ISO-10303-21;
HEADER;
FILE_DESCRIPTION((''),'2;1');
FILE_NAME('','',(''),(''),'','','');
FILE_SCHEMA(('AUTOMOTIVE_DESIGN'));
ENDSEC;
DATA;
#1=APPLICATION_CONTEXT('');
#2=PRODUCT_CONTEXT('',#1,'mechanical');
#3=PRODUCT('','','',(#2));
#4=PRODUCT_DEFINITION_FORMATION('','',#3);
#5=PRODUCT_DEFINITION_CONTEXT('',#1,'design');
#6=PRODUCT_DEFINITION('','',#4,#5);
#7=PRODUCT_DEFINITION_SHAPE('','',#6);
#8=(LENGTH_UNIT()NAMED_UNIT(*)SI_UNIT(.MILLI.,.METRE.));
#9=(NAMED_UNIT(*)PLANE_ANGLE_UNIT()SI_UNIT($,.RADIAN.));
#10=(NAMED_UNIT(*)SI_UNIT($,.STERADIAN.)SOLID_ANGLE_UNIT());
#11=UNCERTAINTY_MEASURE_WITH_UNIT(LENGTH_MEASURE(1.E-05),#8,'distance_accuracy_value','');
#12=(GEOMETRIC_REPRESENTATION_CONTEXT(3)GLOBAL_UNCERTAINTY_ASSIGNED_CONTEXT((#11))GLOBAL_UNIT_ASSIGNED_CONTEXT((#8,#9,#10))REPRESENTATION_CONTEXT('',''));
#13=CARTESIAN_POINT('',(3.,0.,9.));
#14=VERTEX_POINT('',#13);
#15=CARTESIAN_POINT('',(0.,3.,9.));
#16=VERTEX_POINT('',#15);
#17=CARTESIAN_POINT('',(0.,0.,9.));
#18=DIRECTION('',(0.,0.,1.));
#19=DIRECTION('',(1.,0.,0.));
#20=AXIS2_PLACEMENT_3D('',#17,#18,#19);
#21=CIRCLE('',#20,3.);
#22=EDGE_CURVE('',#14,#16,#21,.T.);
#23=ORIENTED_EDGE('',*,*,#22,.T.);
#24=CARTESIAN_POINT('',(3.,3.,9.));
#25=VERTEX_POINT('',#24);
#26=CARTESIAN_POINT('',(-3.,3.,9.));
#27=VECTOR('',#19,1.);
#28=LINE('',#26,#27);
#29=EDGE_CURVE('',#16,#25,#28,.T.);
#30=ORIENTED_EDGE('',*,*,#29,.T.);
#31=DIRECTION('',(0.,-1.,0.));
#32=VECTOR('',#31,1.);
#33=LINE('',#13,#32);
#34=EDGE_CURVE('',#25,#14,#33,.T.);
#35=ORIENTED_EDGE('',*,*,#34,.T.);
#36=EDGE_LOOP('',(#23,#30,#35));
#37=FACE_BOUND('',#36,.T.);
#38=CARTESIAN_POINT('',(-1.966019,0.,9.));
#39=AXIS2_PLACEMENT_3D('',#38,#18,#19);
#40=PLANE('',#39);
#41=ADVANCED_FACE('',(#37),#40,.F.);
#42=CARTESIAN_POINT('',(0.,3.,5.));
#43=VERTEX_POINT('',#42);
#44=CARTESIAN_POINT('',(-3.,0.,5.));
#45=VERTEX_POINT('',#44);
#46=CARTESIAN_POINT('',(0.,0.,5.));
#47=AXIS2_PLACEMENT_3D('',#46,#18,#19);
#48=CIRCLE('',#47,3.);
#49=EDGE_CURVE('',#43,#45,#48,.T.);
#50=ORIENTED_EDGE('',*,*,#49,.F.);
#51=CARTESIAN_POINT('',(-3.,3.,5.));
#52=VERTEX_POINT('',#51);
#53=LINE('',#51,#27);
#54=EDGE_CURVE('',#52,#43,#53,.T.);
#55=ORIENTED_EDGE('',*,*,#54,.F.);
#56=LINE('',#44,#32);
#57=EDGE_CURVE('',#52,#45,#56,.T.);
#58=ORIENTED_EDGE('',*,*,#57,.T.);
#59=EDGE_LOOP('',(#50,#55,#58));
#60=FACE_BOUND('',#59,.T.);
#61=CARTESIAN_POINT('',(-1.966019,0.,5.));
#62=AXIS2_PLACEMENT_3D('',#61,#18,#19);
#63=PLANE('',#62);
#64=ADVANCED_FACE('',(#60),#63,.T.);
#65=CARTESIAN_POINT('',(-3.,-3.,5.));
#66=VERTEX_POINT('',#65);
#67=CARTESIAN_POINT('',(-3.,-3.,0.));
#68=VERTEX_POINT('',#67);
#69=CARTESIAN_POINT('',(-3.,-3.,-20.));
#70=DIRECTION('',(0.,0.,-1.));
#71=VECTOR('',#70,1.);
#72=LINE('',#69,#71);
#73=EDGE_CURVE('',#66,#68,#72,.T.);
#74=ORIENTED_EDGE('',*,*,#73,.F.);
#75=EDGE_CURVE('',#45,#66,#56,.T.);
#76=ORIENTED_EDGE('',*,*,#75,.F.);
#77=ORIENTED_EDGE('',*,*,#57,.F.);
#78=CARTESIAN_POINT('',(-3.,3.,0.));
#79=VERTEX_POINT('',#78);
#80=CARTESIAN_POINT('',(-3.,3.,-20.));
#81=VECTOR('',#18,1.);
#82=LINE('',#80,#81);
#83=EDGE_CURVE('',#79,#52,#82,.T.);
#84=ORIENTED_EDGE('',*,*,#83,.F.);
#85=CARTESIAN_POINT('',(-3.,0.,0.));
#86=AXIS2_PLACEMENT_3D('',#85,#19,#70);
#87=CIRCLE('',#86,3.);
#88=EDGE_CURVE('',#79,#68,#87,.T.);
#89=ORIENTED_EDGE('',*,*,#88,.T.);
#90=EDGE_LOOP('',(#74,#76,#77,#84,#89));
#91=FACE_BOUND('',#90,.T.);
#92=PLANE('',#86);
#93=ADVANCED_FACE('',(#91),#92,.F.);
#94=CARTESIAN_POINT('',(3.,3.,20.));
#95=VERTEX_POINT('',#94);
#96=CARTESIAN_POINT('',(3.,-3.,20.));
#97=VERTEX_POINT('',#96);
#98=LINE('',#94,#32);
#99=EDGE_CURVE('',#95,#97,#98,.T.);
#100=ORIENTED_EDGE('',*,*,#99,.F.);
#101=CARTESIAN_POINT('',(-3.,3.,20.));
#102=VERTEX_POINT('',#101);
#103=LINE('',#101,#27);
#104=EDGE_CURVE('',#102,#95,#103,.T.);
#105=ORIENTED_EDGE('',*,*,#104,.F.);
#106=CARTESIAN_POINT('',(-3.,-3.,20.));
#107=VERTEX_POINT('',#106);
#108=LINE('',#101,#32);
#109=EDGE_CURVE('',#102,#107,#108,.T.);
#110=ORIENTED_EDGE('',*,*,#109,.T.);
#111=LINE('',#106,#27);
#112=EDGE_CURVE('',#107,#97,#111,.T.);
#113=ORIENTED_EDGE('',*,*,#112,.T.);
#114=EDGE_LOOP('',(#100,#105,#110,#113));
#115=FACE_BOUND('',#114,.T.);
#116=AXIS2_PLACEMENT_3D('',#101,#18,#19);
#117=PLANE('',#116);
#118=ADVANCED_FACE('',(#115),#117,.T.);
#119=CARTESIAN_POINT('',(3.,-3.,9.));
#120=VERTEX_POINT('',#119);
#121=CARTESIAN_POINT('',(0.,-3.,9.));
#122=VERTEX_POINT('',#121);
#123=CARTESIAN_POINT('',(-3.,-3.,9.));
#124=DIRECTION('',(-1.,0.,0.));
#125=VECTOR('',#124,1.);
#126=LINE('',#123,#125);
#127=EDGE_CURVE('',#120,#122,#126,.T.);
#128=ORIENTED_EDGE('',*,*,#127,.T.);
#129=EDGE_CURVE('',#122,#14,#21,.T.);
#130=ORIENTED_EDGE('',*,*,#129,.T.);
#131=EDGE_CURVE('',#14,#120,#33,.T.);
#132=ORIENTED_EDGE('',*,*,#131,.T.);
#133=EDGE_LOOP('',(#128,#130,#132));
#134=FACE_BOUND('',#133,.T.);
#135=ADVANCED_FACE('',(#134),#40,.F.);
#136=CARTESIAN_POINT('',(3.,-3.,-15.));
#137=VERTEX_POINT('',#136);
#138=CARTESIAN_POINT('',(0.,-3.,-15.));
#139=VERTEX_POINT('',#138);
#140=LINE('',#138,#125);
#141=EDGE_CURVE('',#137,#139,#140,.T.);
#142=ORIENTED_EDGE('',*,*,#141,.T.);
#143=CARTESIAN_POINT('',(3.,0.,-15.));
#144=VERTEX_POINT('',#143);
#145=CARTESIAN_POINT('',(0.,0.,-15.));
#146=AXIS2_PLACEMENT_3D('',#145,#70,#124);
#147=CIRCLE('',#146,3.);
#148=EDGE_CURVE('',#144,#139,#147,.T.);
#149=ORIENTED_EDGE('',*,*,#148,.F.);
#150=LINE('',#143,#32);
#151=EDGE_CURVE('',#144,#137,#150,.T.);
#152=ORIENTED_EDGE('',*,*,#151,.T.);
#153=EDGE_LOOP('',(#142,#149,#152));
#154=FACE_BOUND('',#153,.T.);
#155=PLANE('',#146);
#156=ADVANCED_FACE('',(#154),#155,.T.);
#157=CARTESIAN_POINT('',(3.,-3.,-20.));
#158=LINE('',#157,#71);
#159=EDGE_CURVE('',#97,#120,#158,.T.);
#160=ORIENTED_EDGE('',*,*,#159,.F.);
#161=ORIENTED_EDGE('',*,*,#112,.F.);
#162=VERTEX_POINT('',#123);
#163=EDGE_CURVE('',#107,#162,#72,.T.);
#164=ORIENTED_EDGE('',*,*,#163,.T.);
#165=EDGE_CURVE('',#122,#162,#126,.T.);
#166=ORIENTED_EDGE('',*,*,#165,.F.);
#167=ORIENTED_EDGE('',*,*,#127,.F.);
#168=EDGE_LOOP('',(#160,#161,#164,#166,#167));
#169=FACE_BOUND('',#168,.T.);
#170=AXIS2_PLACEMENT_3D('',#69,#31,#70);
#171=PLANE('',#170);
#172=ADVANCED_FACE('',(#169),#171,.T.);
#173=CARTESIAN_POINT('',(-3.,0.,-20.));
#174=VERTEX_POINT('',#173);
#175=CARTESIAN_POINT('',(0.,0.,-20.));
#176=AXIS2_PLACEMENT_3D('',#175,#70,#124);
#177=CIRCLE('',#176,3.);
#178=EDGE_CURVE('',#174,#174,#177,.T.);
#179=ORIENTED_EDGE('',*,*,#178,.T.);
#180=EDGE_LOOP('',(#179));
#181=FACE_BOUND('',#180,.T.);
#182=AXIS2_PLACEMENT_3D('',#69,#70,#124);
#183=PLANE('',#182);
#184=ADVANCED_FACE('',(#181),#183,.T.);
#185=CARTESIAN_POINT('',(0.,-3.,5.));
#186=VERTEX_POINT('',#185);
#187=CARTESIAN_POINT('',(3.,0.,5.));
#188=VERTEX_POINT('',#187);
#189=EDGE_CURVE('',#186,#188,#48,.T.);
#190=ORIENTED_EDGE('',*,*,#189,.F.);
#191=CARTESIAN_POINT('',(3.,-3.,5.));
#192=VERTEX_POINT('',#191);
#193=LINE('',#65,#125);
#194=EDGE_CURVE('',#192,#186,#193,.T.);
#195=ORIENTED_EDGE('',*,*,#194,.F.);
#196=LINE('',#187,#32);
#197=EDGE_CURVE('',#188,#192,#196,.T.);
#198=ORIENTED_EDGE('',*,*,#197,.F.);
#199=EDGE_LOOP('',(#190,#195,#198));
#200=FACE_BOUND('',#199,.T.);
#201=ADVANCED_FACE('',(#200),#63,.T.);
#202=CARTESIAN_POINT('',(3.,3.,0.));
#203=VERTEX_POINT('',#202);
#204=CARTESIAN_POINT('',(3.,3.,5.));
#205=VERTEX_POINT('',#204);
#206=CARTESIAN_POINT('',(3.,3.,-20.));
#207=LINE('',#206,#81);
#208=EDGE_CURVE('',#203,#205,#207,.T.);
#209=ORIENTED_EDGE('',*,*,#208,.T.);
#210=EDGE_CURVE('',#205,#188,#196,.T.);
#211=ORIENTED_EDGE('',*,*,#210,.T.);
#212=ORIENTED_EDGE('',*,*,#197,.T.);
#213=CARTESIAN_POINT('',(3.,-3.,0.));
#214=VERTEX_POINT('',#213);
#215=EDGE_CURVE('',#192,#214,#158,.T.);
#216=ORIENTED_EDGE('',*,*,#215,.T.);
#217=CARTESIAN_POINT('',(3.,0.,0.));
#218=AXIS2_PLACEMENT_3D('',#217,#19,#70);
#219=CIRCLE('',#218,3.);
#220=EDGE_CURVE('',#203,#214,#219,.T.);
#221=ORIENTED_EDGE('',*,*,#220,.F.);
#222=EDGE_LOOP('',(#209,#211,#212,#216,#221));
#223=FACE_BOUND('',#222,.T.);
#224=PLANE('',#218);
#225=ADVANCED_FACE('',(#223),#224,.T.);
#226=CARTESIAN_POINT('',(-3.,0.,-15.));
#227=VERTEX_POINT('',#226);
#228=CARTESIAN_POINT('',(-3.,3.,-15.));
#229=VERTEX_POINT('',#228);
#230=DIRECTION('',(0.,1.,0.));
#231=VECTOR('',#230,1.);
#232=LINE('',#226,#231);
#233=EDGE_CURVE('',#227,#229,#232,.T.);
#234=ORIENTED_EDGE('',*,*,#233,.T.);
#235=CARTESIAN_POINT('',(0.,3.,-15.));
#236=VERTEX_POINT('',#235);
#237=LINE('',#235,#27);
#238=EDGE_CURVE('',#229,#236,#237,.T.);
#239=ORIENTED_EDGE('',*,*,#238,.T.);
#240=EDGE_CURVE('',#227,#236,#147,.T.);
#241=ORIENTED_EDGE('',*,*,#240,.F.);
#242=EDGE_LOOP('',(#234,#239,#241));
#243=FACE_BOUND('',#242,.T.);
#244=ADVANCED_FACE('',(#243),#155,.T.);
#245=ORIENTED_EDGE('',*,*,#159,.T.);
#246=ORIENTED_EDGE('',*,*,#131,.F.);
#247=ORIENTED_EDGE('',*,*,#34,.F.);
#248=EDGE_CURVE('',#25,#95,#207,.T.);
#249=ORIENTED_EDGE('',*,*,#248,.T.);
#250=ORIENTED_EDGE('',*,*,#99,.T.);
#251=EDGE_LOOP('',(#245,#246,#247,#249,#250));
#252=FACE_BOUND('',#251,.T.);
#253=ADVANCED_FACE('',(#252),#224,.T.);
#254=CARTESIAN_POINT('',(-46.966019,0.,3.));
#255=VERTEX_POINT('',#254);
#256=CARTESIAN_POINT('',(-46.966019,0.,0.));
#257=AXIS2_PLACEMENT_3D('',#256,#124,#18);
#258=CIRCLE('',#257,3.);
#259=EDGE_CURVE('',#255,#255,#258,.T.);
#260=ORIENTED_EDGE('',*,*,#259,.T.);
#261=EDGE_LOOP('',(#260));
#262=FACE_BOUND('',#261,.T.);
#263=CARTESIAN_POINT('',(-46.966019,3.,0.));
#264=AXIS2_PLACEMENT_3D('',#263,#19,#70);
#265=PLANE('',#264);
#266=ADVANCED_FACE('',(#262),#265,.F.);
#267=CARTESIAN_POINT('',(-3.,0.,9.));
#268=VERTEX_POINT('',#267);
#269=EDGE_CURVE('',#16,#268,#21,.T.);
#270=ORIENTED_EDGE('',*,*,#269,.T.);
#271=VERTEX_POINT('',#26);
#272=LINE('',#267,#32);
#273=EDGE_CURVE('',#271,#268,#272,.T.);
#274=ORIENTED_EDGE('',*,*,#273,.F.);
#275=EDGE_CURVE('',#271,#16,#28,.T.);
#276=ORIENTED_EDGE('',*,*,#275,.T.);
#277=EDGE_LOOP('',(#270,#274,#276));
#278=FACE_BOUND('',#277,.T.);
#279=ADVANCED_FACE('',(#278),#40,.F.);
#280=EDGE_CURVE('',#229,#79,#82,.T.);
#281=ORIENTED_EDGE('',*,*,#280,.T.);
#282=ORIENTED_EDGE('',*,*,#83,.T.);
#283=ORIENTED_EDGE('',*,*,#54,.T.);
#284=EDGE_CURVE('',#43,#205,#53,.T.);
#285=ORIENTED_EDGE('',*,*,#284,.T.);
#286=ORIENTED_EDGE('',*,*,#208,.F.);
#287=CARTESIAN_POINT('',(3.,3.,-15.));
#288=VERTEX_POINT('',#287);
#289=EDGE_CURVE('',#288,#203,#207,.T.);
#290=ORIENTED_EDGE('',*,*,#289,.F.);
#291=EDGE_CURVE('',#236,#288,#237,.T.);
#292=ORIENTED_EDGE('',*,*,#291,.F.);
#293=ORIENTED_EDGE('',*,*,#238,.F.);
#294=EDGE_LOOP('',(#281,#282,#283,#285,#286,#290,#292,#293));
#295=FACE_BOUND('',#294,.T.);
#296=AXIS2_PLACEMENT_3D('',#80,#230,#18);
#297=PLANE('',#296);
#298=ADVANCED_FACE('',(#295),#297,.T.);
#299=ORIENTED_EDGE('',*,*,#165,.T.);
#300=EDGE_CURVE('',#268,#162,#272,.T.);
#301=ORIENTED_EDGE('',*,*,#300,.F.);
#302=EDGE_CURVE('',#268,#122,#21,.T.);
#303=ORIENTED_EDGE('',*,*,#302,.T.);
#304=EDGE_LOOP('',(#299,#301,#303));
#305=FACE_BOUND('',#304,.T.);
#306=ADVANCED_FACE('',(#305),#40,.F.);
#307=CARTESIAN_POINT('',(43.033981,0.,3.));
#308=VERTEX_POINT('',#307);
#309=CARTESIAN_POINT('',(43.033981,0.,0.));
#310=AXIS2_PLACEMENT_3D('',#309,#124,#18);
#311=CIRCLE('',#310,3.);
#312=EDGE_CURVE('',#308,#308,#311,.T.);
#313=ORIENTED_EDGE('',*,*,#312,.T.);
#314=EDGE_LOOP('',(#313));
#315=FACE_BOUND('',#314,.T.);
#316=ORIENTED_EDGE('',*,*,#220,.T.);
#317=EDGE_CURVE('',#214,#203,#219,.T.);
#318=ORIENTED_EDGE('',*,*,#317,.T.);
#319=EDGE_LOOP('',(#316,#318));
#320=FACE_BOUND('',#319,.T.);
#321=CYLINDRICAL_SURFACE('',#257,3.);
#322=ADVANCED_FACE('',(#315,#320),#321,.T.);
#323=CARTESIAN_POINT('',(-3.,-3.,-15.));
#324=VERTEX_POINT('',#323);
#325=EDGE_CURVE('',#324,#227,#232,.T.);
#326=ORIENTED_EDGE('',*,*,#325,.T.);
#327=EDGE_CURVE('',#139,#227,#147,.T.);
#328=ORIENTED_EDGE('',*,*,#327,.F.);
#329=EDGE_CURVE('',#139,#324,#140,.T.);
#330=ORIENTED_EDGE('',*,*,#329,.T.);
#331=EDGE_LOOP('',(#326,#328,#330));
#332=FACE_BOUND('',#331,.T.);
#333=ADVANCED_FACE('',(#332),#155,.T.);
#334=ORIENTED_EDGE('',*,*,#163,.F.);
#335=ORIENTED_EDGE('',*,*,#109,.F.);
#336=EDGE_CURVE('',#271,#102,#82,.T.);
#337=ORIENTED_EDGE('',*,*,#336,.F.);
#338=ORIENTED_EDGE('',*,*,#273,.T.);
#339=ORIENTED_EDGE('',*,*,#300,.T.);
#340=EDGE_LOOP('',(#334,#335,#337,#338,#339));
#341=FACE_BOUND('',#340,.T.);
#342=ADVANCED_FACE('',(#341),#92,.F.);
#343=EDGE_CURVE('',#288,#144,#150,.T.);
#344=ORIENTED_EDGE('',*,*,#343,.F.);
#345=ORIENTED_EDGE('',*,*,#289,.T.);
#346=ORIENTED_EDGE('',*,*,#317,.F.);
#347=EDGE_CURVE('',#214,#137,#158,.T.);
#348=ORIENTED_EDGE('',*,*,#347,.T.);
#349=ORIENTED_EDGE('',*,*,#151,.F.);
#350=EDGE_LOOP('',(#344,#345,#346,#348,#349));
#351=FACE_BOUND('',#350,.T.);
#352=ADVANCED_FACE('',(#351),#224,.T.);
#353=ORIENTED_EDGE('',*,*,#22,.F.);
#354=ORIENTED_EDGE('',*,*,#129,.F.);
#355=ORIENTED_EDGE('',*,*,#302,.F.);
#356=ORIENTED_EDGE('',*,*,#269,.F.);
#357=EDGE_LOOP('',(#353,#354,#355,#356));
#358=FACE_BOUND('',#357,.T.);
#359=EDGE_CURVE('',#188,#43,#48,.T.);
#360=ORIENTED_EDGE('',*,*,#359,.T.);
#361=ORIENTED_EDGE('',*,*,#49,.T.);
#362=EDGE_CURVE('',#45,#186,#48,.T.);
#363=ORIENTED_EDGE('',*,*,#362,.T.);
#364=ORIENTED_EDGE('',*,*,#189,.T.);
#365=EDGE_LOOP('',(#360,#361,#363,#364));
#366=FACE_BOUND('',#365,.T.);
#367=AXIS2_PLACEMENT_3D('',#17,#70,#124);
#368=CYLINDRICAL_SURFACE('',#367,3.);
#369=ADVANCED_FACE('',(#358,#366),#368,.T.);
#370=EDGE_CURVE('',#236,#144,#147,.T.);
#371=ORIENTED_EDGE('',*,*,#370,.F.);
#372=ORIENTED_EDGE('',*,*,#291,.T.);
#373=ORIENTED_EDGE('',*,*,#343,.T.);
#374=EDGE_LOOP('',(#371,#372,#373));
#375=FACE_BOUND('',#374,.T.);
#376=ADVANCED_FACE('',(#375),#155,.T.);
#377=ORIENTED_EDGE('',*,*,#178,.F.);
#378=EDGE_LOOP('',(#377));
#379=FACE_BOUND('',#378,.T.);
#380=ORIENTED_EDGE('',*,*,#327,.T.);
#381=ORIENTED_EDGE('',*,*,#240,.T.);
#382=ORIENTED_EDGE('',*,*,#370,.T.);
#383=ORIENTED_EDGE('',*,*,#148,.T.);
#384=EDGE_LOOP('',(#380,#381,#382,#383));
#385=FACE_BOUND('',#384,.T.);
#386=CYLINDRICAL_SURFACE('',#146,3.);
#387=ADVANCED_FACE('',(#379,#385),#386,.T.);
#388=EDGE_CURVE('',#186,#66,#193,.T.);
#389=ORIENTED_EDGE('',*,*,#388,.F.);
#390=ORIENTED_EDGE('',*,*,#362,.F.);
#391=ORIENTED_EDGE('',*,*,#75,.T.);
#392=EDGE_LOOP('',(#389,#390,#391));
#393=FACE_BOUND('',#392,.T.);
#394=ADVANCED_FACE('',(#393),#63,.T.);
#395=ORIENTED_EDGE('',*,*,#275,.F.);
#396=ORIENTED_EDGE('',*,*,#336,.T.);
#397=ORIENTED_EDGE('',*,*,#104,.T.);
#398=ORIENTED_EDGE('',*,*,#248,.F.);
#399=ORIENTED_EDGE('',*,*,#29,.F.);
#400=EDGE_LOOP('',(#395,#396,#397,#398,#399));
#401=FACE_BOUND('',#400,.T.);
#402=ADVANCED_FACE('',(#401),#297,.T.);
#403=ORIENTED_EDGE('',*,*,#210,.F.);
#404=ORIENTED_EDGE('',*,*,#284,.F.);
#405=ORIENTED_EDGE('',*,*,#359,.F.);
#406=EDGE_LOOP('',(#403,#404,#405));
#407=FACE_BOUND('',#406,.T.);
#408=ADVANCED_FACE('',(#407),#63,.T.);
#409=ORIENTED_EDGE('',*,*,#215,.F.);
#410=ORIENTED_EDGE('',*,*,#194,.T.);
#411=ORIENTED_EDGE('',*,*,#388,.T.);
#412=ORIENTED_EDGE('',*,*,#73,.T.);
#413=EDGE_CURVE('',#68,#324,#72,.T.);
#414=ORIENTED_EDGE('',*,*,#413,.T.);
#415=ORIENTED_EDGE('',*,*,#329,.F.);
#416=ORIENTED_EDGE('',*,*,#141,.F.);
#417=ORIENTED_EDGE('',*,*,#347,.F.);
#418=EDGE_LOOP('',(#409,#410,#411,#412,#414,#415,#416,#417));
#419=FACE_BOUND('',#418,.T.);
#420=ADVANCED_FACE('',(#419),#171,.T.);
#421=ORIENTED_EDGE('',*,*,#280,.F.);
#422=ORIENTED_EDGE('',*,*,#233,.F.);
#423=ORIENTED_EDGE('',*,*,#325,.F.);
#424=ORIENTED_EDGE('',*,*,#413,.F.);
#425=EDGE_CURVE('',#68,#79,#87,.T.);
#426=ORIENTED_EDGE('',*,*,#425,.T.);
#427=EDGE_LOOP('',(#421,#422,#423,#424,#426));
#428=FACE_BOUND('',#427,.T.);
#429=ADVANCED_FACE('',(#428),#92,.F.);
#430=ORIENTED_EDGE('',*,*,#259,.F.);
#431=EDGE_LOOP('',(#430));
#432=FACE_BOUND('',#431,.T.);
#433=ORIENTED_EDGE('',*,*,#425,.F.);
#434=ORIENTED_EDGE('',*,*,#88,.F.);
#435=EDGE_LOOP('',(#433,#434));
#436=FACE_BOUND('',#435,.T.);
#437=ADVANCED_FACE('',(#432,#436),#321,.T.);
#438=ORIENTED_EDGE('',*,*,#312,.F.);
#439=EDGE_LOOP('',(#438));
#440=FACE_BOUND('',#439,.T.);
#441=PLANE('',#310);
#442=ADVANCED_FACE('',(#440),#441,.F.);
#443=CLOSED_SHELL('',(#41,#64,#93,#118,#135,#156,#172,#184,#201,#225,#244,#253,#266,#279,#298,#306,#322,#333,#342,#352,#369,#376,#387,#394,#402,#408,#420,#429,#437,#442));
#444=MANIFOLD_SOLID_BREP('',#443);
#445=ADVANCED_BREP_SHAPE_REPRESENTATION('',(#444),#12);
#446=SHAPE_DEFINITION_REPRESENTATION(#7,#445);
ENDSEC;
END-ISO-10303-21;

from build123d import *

# Parameters (mm, degrees)
SKETCH_1_W               = 90
SKETCH_1_H               = 3
EXTRUDE_1_DEPTH          = 3
EXTRUDE_1_DEPTH_BACK     = 3
SKETCH_2_W               = 40
SKETCH_2_H               = 6
CUT_EXTRUDE_1_DEPTH      = 5
CUT_EXTRUDE_5_DEPTH      = 1
CUT_EXTRUDE_5_DEPTH_BACK = 3
SKETCH_4_OUTSIDE_W       = 111.734
SKETCH_4_OUTSIDE_H       = 27.734
SKETCH_4_OUTSIDE_R       = 3


with BuildPart() as part:
    # 草图1 → 旋转1 (revolve)
    with BuildSketch(Plane.XY, mode=Mode.PRIVATE) as revolve_1_sk:
        with Locations((-1.966019417, 1.5)):
            Rectangle(SKETCH_1_W, SKETCH_1_H)
    revolve(revolve_1_sk.sketch.rotate(Axis((-46.966019417, 0, 0), (1, 0, 0)), 90), axis=Axis((-46.966019417, 0, 0), (1, 0, 0)))

    # 草图2 → 凸台-拉伸1 (add, two sides: drawn at the far end of the back side and taken through both)
    with BuildSketch(Plane(origin=(0, 0, 0), x_dir=(0, 0, -1), z_dir=(1, 0, 0)).offset(-EXTRUDE_1_DEPTH_BACK)):
        Rectangle(SKETCH_2_W, SKETCH_2_H)
    extrude(amount=EXTRUDE_1_DEPTH + EXTRUDE_1_DEPTH_BACK)

    # 草图3 → 切除-拉伸1 (cut)
    with BuildSketch(Plane(origin=(0, 0, -20), x_dir=(-1, 0, 0), z_dir=(0, 0, -1))):
        with BuildLine():
            Line((-3, 3), (-3, 0))
            ThreePointArc((-3, 0), (-2.121320344, 2.121320344), (0, 3))
            Line((0, 3), (-3, 3))
        make_face()
        with BuildLine():
            ThreePointArc((0, 3), (2.121320344, 2.121320344), (3, 0))
            Line((3, 0), (3, 3))
            Line((3, 3), (0, 3))
        make_face()
        with BuildLine():
            Line((-3, -3), (0, -3))
            ThreePointArc((0, -3), (-2.121320344, -2.121320344), (-3, 0))
            Line((-3, 0), (-3, -3))
        make_face()
        with BuildLine():
            Line((0, -3), (3, -3))
            Line((3, -3), (3, 0))
            ThreePointArc((3, 0), (2.121320344, -2.121320344), (0, -3))
        make_face()
    extrude(amount=-CUT_EXTRUDE_1_DEPTH, mode=Mode.SUBTRACT)

    # 草图4 outside → 切除-拉伸5 (cut, two sides: drawn at the far end of the back side and taken through both)
    with BuildSketch(Plane.XY.offset(8).offset(-CUT_EXTRUDE_5_DEPTH_BACK)):
        with Locations((-1.966, 0)):
            Rectangle(SKETCH_4_OUTSIDE_W, SKETCH_4_OUTSIDE_H)
        with Locations(Location((0, 0, 0), (0, 0, 180))):
            Circle(SKETCH_4_OUTSIDE_R, mode=Mode.SUBTRACT)
    extrude(amount=CUT_EXTRUDE_5_DEPTH + CUT_EXTRUDE_5_DEPTH_BACK, mode=Mode.SUBTRACT)


solid = part.part
